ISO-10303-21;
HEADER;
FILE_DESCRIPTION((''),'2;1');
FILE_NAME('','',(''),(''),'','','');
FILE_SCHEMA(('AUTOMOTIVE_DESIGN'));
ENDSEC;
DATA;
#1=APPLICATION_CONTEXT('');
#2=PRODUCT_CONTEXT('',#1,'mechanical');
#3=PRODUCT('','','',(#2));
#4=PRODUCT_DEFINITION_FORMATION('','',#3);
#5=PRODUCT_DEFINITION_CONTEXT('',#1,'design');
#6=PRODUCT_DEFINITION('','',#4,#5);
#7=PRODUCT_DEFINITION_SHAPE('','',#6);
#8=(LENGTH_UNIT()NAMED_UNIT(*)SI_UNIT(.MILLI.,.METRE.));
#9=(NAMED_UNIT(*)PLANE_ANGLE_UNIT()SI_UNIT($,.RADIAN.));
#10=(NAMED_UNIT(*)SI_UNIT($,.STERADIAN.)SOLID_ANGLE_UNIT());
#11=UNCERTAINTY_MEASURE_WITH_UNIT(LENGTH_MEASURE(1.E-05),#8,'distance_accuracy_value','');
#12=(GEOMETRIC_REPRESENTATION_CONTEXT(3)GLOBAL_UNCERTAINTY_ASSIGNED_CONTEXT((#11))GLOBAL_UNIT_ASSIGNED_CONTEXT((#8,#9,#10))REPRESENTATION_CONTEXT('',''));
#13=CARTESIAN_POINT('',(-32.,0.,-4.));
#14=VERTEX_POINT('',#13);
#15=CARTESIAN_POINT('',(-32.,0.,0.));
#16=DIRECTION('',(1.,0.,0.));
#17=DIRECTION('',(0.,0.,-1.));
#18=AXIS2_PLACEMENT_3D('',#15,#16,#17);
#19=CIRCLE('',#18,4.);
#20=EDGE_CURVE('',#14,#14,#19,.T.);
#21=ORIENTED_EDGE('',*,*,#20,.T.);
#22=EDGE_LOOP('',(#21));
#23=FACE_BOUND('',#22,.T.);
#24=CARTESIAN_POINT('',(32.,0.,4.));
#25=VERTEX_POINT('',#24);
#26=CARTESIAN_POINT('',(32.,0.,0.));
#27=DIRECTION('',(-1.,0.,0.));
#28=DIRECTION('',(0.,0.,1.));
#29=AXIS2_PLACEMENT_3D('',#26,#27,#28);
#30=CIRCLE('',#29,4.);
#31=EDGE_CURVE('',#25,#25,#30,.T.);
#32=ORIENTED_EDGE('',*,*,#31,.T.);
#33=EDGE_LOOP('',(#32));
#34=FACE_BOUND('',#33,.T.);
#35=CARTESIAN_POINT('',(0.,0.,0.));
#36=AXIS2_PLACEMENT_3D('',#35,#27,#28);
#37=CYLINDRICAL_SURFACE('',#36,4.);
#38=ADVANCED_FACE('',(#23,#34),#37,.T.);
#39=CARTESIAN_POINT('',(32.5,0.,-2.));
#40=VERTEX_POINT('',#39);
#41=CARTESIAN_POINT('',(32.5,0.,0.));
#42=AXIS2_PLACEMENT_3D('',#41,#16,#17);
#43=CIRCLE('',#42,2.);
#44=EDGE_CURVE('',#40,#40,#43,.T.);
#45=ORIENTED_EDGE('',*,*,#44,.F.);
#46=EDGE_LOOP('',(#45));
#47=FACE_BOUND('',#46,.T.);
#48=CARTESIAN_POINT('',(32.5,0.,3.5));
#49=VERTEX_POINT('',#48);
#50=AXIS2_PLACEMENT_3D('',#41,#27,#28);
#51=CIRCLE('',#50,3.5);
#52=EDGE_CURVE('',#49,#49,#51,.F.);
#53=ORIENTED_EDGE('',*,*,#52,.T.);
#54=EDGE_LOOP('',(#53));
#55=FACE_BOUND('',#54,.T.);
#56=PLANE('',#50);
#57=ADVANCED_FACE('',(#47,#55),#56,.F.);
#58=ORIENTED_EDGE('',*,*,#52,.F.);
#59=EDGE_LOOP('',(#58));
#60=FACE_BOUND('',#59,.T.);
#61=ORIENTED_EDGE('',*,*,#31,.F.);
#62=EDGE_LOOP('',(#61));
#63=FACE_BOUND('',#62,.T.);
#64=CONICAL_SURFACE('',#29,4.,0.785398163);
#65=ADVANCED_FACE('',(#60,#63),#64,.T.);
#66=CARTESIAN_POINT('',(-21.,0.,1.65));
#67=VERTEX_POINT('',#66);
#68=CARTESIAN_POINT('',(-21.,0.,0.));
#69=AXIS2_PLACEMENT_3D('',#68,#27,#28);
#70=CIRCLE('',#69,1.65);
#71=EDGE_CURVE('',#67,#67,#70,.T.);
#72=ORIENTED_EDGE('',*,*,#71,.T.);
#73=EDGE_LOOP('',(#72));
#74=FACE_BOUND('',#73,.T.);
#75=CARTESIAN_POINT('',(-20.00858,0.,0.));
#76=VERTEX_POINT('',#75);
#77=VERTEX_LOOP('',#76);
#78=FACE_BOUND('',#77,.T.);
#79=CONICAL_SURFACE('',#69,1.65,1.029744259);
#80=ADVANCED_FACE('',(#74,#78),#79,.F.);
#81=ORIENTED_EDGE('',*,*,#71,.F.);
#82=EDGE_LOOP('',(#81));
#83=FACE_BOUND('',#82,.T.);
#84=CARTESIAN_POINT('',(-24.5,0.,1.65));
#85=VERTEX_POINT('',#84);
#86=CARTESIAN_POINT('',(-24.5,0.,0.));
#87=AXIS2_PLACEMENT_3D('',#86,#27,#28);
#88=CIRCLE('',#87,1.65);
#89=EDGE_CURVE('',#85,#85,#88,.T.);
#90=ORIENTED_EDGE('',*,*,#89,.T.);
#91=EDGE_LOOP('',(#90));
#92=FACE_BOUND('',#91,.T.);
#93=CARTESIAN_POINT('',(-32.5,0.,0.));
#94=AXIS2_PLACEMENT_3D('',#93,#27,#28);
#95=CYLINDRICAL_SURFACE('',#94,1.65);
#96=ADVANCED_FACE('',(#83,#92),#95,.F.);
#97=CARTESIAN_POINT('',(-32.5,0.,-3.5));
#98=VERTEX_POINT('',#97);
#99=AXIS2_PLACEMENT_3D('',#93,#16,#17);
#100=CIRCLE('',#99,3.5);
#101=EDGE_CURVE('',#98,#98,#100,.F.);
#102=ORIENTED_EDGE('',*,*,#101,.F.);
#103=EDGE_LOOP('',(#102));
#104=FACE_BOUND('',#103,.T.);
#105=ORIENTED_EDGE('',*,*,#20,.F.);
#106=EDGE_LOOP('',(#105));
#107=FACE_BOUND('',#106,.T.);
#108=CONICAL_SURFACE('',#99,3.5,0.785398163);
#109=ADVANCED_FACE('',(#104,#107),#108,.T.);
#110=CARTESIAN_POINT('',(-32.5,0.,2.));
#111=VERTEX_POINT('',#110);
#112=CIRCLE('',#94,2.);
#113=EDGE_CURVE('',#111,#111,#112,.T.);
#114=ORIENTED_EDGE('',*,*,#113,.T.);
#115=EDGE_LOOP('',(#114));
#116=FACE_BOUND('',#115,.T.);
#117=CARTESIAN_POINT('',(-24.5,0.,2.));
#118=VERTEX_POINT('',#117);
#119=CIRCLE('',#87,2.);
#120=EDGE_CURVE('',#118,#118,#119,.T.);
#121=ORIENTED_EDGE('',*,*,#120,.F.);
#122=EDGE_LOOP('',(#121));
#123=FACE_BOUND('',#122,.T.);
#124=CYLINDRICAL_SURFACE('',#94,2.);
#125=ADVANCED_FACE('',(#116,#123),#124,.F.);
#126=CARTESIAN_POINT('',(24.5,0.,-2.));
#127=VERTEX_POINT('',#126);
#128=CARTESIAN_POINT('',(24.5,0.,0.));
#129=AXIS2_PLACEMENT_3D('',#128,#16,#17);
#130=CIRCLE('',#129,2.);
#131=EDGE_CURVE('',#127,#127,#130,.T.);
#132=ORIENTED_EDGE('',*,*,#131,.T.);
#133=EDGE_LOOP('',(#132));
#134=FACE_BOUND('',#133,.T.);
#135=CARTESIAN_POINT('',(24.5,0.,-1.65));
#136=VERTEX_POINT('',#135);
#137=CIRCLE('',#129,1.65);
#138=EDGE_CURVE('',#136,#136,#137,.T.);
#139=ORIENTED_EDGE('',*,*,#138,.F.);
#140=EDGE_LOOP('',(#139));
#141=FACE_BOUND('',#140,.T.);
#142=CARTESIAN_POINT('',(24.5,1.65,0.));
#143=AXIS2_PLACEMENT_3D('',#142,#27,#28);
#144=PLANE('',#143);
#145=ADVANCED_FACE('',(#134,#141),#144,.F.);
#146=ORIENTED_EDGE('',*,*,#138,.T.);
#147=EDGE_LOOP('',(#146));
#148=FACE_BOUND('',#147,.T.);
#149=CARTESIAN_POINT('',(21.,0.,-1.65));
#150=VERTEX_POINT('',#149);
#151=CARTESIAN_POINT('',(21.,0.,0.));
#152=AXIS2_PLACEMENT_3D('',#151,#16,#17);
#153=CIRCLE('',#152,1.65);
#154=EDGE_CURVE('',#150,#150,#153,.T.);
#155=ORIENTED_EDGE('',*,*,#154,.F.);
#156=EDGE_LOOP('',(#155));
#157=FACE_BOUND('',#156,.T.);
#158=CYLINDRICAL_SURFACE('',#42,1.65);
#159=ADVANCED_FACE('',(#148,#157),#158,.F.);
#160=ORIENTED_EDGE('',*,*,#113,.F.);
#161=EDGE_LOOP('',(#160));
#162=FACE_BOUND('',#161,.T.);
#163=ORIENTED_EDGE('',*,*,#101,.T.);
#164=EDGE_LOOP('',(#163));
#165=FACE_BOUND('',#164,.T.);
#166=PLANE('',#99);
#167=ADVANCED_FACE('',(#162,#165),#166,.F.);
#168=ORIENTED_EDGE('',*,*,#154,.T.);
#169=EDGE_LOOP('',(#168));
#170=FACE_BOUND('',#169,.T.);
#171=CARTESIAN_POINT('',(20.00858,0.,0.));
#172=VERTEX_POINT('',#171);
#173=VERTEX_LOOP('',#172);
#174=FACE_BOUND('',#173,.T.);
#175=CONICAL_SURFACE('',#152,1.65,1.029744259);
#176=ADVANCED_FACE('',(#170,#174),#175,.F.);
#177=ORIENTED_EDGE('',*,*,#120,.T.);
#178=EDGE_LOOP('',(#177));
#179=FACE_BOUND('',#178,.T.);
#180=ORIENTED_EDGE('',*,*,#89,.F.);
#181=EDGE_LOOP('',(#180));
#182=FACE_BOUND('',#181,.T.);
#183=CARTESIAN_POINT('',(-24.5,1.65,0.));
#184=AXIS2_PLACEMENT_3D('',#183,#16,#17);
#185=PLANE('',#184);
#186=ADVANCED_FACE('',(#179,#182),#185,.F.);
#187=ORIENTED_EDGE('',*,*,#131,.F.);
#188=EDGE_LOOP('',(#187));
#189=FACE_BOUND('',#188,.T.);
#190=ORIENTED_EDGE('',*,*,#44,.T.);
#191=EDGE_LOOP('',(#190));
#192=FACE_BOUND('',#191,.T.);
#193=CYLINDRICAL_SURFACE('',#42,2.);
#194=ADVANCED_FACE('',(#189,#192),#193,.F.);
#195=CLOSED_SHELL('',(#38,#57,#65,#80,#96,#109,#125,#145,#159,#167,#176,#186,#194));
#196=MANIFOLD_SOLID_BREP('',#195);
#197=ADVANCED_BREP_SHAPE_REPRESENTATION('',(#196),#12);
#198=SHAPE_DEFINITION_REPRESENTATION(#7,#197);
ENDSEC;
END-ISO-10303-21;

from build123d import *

# Parameters (mm, degrees)
SKETCH_1_W                     = 65
SKETCH_1_H                     = 4
M4X0_7_1_D                     = 3.3
M4X0_7_1_DEPTH                 = 11.5
M4X0_7_1_CBORE_D               = 4
M4X0_7_1_CBORE_DEPTH           = 8
M4X0_7_1_TIP                   = 0.991420021
M4X0_7_1_ON_FACE_2_D           = 3.3
M4X0_7_1_ON_FACE_2_DEPTH       = 11.5
M4X0_7_1_ON_FACE_2_CBORE_D     = 4
M4X0_7_1_ON_FACE_2_CBORE_DEPTH = 8
M4X0_7_1_ON_FACE_2_TIP         = 0.991420021
CHAMFER_1_SIZE                 = 0.5


with BuildPart() as part:
    # ｽｹｯﾁ1 → 回転1 (revolve)
    with BuildSketch(Plane.XY, mode=Mode.PRIVATE) as revolve_1_sk:
        with Locations((0, 2)):
            Rectangle(SKETCH_1_W, SKETCH_1_H)
    revolve(revolve_1_sk.sketch.rotate(Axis((0, 0, 0), (1, 0, 0)), 90), axis=Axis((0, 0, 0), (1, 0, 0)))

    # M4x0.7 ねじ穴1
    with Locations(Plane(origin=(32.5, 0, 0), x_dir=(0, 0, 1), z_dir=(1, 0, 0))):
        with Locations((0, 0)):
            CounterBoreHole(M4X0_7_1_D / 2, M4X0_7_1_CBORE_D / 2, M4X0_7_1_CBORE_DEPTH, depth=M4X0_7_1_DEPTH)
            with Locations((0, 0, -(M4X0_7_1_DEPTH + M4X0_7_1_TIP / 2))):  # 118° drill point
                Cone(0, M4X0_7_1_D / 2, M4X0_7_1_TIP, mode=Mode.SUBTRACT)

    # M4x0.7 ねじ穴1 on face 2
    with Locations(Plane(origin=(-32.5, 0, 0), x_dir=(0, 0, -1), z_dir=(-1, 0, 0))):
        with Locations((0, 0)):
            CounterBoreHole(M4X0_7_1_ON_FACE_2_D / 2, M4X0_7_1_ON_FACE_2_CBORE_D / 2, M4X0_7_1_ON_FACE_2_CBORE_DEPTH, depth=M4X0_7_1_ON_FACE_2_DEPTH)
            with Locations((0, 0, -(M4X0_7_1_ON_FACE_2_DEPTH + M4X0_7_1_ON_FACE_2_TIP / 2))):  # 118° drill point
                Cone(0, M4X0_7_1_ON_FACE_2_D / 2, M4X0_7_1_ON_FACE_2_TIP, mode=Mode.SUBTRACT)

    # 面取り1
    chamfer_1_edges = [part.edges().sort_by_distance(p)[0] for p in [
        (32.5, 0, -4),
        (-32.5, 0, -4),
    ]]
    chamfer(chamfer_1_edges, length=CHAMFER_1_SIZE)


solid = part.part
